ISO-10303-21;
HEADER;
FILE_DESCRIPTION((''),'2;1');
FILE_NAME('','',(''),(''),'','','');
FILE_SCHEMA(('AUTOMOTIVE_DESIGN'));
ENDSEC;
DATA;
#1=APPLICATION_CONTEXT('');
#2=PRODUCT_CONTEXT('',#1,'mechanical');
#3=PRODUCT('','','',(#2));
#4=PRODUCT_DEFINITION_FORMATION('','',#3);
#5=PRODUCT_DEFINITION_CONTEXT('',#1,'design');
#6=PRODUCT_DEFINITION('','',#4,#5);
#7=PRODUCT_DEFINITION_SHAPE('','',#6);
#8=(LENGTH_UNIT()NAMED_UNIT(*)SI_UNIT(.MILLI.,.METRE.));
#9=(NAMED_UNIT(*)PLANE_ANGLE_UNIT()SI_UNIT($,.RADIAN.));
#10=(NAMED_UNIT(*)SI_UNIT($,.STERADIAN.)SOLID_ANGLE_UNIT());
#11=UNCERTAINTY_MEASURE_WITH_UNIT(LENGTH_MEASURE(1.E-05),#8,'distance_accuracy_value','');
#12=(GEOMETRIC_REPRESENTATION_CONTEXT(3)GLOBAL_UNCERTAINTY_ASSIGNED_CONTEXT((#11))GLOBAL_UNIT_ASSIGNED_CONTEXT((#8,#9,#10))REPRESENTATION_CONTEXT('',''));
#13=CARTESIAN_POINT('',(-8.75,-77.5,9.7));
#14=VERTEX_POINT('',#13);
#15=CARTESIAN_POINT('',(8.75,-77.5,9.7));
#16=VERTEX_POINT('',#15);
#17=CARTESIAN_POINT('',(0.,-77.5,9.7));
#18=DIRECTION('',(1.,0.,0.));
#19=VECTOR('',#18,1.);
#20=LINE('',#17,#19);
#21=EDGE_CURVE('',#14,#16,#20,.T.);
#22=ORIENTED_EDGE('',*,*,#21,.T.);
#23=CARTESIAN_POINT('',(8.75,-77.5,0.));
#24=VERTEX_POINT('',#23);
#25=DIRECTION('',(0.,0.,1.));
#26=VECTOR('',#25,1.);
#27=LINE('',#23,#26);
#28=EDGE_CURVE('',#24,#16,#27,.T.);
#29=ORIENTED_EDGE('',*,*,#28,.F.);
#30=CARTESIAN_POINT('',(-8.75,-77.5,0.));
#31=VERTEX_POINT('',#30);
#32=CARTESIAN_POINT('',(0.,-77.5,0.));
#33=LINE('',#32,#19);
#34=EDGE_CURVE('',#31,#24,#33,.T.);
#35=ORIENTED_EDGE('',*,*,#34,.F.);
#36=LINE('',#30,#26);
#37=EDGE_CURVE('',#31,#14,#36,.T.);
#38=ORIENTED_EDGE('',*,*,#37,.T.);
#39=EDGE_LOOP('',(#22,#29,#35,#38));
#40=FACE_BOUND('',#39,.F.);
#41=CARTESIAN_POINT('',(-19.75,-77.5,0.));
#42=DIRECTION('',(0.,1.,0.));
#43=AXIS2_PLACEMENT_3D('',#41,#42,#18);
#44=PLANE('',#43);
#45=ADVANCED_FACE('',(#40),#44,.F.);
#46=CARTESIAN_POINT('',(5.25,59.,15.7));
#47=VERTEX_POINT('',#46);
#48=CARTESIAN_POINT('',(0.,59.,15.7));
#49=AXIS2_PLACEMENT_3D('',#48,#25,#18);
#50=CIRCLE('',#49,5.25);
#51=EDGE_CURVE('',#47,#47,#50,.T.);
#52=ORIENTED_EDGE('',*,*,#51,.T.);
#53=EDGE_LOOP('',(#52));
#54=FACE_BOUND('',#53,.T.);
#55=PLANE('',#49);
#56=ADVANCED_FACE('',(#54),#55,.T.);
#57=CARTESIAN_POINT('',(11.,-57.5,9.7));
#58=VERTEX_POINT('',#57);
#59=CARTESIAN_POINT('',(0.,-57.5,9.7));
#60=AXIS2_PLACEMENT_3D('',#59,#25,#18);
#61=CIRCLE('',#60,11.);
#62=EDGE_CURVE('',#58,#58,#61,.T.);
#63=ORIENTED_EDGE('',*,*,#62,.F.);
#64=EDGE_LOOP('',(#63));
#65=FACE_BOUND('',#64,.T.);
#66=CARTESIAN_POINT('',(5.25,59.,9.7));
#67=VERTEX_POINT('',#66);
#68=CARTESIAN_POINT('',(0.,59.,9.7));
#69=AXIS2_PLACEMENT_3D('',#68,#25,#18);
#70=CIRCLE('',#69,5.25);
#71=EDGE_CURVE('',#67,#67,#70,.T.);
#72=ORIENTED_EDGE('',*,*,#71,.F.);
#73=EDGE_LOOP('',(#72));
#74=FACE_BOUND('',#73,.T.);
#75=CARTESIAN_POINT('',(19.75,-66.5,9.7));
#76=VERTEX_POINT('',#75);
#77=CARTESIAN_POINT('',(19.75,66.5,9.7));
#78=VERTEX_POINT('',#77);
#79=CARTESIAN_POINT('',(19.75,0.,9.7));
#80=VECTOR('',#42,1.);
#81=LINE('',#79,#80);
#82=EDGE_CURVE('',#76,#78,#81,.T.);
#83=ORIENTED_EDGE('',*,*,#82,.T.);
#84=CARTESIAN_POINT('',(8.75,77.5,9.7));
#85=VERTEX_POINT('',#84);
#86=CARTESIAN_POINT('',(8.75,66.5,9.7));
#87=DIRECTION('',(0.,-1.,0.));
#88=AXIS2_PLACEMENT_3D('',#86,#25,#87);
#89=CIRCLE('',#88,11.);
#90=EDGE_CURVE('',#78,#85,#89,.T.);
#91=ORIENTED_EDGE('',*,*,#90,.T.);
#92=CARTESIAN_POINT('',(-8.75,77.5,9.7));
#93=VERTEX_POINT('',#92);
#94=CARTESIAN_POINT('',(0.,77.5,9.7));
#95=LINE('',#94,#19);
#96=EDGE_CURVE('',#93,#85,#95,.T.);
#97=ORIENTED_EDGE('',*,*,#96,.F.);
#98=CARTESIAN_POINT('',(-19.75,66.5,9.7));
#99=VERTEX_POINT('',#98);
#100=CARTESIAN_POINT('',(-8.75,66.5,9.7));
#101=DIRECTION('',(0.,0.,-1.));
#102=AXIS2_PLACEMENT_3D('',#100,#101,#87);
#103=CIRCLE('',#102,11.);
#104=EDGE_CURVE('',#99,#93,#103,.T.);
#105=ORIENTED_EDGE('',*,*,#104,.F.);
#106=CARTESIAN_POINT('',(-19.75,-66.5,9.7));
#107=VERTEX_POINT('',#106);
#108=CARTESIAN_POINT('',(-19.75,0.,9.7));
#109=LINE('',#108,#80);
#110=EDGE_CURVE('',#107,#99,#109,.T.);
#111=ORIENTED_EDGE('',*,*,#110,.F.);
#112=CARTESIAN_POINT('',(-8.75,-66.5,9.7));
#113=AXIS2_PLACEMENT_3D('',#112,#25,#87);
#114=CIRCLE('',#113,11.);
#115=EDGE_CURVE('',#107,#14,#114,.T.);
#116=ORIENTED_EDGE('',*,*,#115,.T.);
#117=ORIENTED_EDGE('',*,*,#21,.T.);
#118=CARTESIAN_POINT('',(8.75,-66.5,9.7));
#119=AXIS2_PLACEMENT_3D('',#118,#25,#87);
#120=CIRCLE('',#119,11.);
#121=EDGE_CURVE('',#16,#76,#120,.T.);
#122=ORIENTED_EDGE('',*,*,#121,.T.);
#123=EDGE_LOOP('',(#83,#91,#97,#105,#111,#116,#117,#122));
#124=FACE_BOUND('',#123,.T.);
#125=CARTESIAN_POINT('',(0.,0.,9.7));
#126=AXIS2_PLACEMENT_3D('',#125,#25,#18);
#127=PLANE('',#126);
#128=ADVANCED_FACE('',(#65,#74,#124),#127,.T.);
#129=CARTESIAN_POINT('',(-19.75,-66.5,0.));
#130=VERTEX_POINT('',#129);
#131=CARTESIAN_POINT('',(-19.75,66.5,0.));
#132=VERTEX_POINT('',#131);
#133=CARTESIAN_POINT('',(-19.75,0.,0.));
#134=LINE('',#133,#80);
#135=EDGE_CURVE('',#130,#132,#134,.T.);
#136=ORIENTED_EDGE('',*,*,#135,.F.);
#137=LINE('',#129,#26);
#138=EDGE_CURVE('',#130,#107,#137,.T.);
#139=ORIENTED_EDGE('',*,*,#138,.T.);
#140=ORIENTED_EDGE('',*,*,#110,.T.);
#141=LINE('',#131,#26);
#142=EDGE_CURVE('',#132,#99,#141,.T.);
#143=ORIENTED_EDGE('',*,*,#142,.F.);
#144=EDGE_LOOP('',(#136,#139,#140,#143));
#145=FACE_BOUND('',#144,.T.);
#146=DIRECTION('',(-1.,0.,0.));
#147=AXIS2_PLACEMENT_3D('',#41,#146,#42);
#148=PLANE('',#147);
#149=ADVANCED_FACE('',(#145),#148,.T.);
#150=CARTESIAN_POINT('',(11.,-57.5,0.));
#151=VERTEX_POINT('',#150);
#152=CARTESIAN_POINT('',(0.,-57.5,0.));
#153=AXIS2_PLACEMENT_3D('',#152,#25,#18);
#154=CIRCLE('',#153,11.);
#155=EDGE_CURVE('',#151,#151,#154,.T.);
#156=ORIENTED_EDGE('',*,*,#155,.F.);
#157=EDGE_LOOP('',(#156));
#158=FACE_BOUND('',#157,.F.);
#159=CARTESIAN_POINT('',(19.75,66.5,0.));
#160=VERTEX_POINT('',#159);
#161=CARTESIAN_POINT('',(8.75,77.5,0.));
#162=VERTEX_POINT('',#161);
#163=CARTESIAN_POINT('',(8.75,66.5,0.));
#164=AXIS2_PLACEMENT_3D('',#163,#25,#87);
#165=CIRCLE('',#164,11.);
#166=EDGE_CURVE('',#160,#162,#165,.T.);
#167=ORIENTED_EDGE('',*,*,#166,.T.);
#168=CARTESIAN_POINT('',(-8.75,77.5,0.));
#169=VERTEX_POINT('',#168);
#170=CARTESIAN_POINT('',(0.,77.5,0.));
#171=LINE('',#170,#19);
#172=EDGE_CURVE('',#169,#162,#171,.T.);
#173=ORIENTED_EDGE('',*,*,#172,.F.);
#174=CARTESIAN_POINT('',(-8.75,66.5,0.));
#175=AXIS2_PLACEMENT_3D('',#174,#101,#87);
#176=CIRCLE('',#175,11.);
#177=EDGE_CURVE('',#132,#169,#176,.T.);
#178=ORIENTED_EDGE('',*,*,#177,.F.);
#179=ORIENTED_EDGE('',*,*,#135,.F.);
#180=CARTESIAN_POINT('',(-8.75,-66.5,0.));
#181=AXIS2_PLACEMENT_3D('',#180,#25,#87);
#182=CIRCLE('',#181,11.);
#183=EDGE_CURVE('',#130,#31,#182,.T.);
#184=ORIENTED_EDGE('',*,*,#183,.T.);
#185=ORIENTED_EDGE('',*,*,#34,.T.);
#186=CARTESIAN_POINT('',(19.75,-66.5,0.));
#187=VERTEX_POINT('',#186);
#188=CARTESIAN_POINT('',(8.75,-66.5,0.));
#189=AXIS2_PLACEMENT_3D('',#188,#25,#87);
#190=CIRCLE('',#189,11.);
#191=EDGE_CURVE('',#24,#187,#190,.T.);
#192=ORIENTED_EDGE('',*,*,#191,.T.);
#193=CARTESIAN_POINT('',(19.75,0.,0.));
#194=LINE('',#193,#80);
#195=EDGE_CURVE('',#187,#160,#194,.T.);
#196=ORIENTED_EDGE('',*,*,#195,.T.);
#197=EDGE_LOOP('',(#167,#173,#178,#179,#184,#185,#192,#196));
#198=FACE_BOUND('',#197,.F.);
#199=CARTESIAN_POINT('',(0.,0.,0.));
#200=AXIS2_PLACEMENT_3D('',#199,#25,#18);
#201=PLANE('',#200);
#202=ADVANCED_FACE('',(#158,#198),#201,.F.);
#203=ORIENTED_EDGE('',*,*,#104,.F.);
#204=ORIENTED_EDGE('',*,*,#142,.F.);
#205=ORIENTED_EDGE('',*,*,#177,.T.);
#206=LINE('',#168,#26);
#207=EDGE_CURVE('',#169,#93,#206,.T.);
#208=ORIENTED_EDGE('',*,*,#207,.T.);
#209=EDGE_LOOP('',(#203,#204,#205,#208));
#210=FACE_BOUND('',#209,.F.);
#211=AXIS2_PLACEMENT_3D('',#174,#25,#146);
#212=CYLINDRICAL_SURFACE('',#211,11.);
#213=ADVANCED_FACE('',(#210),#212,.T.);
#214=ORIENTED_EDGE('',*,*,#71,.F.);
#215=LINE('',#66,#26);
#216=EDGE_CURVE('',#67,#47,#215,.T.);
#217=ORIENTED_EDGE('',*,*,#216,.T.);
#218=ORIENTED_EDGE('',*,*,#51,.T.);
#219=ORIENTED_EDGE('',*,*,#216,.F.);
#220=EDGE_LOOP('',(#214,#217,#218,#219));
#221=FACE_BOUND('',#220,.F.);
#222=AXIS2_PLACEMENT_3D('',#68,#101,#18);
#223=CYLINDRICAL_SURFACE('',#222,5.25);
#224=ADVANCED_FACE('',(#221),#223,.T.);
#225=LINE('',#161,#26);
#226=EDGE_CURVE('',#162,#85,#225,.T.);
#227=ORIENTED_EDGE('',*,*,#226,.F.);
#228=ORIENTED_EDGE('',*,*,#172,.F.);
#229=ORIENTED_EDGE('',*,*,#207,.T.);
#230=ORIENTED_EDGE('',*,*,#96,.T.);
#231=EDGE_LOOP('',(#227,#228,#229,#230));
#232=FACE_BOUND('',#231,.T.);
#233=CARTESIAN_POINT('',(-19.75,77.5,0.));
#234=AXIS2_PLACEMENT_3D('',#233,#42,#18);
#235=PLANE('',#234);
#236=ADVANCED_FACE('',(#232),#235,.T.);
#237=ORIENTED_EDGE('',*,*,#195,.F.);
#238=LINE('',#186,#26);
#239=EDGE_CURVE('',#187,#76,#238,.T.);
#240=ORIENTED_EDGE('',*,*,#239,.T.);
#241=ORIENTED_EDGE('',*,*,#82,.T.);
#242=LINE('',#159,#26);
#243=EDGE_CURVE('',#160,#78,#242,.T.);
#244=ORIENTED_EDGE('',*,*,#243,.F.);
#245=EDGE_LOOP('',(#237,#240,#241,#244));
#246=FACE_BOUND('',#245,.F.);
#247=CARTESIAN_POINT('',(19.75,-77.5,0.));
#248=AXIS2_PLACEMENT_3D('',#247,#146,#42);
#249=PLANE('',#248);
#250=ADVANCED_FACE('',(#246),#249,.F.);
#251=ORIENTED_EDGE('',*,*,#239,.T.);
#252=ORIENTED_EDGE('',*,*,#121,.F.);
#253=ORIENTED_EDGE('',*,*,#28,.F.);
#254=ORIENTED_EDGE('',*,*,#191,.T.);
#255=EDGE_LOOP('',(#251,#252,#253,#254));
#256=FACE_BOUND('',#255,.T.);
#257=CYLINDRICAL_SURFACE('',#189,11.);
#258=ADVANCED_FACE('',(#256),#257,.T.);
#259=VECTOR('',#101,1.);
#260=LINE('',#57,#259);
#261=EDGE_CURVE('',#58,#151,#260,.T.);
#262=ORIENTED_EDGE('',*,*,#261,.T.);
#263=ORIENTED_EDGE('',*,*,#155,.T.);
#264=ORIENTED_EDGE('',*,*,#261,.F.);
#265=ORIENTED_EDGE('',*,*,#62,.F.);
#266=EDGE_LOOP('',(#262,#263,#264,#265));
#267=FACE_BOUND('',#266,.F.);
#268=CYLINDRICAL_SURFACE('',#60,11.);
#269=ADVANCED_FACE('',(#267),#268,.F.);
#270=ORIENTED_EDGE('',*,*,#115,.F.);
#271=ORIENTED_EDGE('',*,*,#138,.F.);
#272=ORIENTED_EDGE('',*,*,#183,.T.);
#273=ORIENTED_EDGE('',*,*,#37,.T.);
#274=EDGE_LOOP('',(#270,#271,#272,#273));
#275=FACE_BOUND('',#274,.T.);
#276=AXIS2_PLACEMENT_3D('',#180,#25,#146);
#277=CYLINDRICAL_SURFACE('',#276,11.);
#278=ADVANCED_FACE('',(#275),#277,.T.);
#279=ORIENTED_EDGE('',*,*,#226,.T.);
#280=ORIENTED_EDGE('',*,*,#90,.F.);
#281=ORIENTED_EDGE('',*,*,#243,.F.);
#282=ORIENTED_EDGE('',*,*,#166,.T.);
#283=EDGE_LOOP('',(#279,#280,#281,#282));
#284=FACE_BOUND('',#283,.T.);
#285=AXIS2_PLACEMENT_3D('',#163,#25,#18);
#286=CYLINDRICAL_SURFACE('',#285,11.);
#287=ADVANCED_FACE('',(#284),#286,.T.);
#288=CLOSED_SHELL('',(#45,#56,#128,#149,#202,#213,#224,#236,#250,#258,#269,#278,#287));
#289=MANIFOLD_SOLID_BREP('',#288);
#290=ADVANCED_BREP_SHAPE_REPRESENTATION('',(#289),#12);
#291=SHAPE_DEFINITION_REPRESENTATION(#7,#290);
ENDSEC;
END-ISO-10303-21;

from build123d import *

# Parameters (mm, degrees)
F0_W     = 39.5
F0_H     = 155
F1_DEPTH = 9.7
F2_R     = 11
F3_R     = 11
F4_DEPTH = 9.701
F5_R     = 5.25
F6_DEPTH = 6


with BuildPart() as f1:
    # F0 (on Top) → F1 (new body)
    with BuildSketch(Plane.XY):
        Rectangle(F0_W, F0_H)
    extrude(amount=F1_DEPTH)

    # F2
    f2_edges = [f1.edges().sort_by_distance(p)[0] for p in [
        (-19.75, 77.5, 4.85),
        (19.75, 77.5, 4.85),
        (19.75, -77.5, 4.85),
        (-19.75, -77.5, 4.85),
    ]]
    fillet(f2_edges, radius=F2_R)

    # F3 (on face) → F4 (cut, through all)
    with BuildSketch(Plane.XY.offset(9.7)):
        with Locations((0, -57.5)):
            Circle(F3_R)
    extrude(amount=-F4_DEPTH, mode=Mode.SUBTRACT)

    # F5 (on face) → F6 (join)
    with BuildSketch(Plane.XY.offset(9.7)):
        with Locations((0, 59)):
            Circle(F5_R)
    extrude(amount=F6_DEPTH)


solid = f1.part
